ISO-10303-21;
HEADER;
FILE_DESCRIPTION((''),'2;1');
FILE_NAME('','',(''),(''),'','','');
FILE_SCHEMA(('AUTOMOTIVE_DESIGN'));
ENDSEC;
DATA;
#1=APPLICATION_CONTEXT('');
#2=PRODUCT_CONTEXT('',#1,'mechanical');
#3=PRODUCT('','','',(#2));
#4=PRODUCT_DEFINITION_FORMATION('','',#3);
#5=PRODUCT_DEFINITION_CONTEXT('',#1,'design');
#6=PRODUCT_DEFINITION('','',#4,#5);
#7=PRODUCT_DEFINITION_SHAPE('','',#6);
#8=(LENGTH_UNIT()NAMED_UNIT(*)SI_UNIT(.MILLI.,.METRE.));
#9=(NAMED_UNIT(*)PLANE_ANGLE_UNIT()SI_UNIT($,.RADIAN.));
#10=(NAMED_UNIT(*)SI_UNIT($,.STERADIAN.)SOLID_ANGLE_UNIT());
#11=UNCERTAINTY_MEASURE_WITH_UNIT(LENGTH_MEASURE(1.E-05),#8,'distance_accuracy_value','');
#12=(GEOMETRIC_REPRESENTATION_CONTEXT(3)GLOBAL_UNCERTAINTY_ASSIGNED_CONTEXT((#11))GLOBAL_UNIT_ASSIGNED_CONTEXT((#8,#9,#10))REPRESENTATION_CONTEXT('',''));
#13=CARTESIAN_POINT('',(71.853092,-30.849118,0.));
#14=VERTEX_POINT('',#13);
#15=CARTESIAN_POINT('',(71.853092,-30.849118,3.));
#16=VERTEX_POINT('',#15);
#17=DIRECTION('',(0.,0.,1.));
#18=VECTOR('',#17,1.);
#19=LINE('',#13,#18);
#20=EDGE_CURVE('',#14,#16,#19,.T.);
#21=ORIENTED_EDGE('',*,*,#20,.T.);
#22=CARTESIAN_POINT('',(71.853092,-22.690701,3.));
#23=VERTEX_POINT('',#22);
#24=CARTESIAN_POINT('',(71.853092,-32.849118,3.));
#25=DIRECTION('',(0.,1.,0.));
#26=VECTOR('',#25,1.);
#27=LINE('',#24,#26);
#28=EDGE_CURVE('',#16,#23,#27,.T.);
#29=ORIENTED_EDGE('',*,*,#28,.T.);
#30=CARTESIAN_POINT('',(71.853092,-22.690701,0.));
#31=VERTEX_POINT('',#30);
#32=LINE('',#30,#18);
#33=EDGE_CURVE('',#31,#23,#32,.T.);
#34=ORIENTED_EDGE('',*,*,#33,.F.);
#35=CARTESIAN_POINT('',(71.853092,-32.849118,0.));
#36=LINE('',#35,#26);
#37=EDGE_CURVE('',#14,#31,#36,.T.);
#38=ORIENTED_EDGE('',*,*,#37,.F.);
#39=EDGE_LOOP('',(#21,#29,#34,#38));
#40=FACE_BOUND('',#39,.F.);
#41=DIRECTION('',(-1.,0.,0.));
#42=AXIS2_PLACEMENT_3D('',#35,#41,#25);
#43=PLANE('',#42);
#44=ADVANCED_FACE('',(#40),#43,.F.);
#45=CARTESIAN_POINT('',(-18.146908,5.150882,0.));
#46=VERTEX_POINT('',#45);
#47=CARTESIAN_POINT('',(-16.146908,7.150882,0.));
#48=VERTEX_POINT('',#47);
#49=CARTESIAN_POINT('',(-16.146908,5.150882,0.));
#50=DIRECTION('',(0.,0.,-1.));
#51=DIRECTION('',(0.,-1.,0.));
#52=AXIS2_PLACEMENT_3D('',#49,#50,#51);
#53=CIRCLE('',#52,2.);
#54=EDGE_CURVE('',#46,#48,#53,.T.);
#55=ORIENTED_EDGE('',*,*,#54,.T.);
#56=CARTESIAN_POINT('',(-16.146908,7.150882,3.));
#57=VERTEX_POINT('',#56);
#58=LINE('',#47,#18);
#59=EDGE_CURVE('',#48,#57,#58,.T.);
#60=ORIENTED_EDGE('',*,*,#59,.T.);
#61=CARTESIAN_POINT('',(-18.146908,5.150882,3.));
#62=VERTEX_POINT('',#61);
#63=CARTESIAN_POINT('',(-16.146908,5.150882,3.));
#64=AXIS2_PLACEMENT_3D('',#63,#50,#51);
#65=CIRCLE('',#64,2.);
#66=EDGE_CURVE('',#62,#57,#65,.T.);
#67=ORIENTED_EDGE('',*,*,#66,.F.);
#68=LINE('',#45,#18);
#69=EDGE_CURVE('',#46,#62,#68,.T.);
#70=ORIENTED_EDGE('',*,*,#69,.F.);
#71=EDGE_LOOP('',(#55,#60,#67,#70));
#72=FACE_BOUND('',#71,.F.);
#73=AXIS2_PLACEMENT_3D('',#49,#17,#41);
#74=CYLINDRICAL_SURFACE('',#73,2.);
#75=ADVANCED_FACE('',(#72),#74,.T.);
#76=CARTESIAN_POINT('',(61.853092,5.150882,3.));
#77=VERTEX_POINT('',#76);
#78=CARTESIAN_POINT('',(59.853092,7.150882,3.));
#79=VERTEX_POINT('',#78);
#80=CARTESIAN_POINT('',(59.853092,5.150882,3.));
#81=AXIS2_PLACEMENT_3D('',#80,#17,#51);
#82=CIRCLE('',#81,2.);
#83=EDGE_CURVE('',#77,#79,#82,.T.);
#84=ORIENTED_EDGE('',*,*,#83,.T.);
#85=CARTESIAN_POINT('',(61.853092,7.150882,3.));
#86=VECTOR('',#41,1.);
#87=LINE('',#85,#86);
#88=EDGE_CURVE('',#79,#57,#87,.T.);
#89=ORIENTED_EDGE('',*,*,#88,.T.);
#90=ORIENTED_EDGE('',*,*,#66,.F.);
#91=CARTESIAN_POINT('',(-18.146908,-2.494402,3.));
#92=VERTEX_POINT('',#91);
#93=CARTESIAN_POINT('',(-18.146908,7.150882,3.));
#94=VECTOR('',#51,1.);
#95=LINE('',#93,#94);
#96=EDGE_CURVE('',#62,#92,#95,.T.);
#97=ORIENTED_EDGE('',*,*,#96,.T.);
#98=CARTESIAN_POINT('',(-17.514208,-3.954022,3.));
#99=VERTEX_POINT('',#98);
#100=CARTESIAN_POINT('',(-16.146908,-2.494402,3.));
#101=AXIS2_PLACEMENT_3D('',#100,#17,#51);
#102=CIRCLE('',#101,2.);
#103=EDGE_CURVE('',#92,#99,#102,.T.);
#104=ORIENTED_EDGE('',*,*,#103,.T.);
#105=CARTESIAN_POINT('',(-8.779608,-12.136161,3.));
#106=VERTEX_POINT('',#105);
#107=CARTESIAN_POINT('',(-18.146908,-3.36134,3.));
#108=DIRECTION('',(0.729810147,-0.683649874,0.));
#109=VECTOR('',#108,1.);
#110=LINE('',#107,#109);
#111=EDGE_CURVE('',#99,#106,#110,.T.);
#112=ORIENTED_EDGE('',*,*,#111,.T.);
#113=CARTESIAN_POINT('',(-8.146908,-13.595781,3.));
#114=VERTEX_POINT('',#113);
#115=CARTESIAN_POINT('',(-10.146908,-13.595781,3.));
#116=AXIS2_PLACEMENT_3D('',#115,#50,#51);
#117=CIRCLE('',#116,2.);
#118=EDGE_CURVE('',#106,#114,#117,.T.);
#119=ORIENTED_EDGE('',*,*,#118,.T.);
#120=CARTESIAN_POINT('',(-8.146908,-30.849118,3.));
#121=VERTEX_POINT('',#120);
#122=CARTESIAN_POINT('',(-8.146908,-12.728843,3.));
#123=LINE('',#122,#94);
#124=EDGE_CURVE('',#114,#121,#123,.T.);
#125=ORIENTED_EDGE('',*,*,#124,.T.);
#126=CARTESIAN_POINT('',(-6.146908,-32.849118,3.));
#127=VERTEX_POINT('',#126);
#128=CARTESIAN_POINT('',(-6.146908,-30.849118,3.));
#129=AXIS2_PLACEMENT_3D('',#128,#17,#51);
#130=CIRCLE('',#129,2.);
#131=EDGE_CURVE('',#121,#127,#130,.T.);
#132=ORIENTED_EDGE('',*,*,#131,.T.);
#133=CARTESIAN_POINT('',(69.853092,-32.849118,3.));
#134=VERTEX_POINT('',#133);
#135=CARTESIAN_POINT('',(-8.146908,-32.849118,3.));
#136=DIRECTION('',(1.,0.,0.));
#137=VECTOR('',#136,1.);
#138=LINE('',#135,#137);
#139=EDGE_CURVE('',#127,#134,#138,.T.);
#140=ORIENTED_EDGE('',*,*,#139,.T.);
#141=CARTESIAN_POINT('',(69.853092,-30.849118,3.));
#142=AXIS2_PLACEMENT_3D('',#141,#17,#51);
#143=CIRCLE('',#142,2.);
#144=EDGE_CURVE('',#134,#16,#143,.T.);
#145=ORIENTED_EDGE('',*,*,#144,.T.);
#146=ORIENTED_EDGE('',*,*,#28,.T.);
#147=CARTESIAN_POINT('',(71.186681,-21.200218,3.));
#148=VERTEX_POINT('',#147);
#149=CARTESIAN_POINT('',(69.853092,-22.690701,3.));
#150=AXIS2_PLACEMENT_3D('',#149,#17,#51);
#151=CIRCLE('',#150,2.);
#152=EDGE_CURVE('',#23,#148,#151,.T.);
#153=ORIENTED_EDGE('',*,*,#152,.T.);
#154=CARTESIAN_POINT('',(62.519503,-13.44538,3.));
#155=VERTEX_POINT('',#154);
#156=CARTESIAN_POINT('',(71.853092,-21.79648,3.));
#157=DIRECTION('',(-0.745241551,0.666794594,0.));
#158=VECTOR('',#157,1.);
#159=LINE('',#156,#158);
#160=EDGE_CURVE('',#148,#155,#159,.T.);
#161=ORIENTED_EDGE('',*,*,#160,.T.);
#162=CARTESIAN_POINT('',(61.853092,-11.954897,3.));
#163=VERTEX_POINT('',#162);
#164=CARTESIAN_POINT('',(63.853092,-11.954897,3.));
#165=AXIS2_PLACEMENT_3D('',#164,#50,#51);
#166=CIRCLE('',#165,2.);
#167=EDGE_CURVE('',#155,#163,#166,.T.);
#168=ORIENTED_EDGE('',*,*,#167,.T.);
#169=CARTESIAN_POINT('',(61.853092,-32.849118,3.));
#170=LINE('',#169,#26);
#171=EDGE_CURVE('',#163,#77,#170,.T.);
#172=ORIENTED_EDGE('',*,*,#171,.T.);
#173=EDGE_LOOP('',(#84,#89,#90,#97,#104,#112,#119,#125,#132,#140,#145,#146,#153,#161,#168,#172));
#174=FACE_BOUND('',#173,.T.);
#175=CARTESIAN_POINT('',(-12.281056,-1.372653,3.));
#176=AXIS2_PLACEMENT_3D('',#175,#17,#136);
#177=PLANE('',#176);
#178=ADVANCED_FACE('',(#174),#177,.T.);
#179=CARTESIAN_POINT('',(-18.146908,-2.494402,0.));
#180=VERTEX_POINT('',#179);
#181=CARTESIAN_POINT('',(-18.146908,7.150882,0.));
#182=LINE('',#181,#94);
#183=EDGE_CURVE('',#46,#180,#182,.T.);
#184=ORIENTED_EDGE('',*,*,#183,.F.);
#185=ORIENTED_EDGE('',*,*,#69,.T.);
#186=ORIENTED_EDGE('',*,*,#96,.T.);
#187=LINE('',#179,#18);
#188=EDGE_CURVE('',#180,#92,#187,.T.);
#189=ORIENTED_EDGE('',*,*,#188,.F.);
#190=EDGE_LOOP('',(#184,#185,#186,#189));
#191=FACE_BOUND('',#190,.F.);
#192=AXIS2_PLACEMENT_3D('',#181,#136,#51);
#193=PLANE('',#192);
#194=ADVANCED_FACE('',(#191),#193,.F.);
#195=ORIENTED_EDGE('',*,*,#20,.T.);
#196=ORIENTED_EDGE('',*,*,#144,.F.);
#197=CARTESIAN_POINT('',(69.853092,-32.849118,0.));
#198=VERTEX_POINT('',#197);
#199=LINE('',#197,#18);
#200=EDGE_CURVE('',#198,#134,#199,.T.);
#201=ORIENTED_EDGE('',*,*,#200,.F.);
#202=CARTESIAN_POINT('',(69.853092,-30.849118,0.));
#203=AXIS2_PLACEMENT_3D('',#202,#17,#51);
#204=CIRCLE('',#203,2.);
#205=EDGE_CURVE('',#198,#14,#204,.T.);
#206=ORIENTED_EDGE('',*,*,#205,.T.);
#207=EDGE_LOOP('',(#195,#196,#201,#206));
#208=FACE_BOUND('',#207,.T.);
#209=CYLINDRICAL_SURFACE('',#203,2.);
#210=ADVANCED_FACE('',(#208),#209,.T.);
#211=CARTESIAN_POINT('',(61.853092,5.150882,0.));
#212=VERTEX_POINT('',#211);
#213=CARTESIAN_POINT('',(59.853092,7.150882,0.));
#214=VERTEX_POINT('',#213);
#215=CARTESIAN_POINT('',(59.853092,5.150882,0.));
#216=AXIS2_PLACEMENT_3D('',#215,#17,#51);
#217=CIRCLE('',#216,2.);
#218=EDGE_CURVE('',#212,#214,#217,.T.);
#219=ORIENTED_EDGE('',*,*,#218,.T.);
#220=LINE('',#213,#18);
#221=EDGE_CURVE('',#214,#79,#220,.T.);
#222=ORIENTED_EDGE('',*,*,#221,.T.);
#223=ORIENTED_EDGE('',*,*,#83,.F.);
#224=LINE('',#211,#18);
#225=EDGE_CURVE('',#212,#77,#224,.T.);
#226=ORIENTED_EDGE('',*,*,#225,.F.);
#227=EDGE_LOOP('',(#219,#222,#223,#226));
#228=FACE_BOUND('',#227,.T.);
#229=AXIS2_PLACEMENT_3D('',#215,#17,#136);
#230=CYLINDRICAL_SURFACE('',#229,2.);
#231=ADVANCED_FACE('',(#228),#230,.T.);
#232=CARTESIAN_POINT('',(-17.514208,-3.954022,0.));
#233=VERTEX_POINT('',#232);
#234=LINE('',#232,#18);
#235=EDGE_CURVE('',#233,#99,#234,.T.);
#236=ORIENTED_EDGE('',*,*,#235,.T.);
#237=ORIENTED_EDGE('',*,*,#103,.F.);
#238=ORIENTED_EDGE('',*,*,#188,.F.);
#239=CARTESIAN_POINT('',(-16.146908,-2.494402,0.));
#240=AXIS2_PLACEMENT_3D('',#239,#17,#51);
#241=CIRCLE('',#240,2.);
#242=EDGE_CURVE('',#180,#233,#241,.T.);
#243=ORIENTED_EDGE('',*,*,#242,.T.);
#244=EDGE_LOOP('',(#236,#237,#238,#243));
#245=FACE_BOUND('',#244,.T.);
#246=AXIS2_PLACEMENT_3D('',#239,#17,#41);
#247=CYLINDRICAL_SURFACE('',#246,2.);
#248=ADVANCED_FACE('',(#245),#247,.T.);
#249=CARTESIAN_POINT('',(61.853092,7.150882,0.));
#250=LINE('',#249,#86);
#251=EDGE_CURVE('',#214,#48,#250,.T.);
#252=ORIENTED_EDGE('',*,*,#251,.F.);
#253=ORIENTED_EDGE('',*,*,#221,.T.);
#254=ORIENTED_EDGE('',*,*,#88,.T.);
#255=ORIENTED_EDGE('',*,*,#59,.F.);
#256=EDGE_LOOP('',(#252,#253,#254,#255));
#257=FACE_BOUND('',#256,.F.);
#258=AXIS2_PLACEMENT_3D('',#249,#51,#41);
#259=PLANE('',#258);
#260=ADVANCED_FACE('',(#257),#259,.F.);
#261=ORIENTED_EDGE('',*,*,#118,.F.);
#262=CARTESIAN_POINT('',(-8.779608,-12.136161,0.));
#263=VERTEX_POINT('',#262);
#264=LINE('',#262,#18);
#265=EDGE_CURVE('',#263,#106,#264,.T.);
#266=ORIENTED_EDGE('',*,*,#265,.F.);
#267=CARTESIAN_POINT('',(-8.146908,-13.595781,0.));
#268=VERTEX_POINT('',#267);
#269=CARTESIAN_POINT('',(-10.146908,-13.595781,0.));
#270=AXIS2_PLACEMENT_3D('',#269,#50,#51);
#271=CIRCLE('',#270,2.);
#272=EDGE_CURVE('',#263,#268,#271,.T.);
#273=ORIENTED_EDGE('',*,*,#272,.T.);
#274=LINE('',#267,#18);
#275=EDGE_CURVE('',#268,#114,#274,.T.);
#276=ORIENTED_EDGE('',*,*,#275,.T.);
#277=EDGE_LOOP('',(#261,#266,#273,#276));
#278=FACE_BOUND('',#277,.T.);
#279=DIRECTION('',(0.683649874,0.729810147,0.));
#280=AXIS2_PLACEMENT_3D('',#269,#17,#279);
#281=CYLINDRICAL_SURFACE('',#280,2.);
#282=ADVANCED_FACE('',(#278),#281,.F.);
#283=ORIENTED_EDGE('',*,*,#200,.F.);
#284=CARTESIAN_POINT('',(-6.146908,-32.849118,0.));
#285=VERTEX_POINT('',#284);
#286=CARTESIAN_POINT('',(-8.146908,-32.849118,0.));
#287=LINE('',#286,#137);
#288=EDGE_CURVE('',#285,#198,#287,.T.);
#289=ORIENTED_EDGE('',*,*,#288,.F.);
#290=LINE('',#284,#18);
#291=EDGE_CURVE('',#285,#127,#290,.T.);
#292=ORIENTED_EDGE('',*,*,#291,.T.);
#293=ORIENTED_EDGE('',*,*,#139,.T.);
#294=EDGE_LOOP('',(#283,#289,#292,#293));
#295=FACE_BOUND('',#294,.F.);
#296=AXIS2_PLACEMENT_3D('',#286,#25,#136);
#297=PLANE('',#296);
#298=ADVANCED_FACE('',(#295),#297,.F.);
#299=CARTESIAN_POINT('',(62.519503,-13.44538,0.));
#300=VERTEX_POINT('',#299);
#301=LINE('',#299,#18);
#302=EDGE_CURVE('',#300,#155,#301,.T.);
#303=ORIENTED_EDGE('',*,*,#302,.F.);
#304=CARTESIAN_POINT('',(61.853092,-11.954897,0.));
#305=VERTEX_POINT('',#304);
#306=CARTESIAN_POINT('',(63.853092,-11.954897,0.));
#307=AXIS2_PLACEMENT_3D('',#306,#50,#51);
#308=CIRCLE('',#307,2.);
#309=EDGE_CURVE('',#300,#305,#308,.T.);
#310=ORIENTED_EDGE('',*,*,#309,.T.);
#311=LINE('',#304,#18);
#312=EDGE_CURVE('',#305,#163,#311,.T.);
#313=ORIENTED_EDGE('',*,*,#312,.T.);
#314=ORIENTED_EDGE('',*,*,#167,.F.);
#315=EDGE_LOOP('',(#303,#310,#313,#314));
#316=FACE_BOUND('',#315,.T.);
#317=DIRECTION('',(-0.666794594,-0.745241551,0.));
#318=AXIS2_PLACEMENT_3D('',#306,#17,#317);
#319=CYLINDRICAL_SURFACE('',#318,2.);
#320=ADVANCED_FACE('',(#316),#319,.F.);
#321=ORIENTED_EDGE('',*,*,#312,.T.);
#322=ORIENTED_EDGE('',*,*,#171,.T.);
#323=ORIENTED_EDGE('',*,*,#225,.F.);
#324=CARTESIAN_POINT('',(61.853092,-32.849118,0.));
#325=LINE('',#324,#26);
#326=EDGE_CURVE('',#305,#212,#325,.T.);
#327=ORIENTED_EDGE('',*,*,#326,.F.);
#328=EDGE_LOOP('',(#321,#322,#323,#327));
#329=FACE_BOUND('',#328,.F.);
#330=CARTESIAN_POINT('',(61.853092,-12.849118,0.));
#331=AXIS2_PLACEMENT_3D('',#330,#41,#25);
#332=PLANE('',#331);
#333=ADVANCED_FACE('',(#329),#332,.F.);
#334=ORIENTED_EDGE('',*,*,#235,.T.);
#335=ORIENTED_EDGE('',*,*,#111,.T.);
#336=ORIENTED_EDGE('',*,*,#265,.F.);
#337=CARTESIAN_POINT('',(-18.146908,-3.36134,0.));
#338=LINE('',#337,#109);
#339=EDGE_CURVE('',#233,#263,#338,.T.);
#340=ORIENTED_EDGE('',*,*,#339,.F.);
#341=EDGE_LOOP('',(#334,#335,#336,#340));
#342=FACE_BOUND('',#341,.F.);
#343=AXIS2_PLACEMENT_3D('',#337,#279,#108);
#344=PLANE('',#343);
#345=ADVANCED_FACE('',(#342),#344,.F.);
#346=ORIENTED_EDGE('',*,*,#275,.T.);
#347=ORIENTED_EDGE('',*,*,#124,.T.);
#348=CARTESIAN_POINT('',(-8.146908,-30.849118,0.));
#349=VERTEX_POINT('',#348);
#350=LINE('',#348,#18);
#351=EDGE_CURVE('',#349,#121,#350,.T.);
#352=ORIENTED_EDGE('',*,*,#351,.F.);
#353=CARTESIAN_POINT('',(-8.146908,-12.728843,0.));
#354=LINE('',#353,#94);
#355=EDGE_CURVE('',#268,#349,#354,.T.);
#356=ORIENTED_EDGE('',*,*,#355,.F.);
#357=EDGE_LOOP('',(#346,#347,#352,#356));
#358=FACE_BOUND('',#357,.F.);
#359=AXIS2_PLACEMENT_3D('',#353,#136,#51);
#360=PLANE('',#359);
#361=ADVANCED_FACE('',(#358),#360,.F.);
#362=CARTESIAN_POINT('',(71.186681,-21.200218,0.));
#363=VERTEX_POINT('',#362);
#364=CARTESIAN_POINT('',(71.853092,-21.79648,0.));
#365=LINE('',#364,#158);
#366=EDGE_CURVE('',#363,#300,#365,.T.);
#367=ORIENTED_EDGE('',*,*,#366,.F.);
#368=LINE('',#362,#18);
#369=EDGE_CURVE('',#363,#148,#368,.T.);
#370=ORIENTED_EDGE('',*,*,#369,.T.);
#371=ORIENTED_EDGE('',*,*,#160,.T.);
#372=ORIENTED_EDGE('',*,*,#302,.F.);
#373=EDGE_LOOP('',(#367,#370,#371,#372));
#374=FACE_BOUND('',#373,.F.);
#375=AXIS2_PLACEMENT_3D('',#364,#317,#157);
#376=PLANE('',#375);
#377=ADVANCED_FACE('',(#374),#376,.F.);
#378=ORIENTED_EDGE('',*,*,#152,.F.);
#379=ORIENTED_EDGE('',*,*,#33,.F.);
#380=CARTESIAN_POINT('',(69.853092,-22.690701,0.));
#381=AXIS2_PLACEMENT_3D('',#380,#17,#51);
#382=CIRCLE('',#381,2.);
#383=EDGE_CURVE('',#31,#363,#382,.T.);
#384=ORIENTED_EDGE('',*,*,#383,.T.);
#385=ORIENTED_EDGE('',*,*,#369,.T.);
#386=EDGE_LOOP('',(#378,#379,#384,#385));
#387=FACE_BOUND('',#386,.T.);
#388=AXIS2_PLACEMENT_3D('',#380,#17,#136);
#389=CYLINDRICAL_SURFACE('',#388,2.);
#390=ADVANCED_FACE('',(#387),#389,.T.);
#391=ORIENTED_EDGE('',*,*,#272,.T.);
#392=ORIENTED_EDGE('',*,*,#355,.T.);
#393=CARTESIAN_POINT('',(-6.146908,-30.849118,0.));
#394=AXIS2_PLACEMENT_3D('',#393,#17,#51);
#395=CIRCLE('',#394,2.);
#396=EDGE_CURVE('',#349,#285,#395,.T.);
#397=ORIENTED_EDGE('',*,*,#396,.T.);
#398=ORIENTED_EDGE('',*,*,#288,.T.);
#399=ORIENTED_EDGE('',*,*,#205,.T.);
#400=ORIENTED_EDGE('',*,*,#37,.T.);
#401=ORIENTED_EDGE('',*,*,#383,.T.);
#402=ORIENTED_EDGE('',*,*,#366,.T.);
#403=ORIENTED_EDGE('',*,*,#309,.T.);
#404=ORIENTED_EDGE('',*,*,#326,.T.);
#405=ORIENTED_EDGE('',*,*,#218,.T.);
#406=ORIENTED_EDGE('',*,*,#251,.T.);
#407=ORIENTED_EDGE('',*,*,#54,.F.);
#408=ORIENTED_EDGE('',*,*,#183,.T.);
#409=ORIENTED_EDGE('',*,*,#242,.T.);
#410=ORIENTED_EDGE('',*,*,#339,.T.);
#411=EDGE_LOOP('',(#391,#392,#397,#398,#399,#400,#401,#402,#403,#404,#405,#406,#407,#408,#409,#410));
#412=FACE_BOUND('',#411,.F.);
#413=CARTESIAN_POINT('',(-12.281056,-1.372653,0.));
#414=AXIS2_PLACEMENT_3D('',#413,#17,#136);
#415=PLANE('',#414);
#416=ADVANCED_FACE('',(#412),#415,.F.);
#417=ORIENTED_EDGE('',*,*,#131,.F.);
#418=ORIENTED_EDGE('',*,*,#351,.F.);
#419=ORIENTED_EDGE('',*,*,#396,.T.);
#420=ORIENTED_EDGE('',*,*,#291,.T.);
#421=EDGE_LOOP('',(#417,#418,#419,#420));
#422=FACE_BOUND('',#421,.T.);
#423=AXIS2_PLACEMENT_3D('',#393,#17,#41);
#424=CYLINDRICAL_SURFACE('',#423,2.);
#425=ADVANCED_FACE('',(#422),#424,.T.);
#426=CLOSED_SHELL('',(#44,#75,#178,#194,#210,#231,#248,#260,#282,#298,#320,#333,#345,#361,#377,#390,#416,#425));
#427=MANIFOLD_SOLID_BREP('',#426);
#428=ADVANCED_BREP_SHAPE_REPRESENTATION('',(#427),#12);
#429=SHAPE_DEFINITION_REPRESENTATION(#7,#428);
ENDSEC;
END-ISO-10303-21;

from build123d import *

# Parameters (mm, degrees)
F1_DEPTH = 3
F2_R     = 2


with BuildPart() as f1:
    # F0 (on Top) → F1 (new body)
    with BuildSketch(Plane.XY):
        Polygon((-8.146908, 7.150882), (-18.146908, 7.150882), (-18.146908, -3.36134), (-8.146908, -12.728843), align=None)
        Polygon((61.853092, 7.150882), (-8.146908, 7.150882), (-8.146908, -12.728843), (-8.146908, -32.849118), (61.853092, -32.849118), (61.853092, -12.849118), align=None)
        Polygon((71.853092, -21.79648), (61.853092, -12.849118), (61.853092, -32.849118), (71.853092, -32.849118), align=None)
    extrude(amount=F1_DEPTH)

    # F2
    f2_edges = [f1.edges().sort_by_distance(p)[0] for p in [
        (-18.146908, 7.150882, 1.5),
        (-18.146908, -3.36134, 1.5),
        (-8.146908, -12.728843, 1.5),
        (-8.146908, -32.849118, 1.5),
        (71.853092, -32.849118, 1.5),
        (71.853092, -21.79648, 1.5),
        (61.853092, -12.849118, 1.5),
        (61.853092, 7.150882, 1.5),
    ]]
    fillet(f2_edges, radius=F2_R)


solid = f1.part
